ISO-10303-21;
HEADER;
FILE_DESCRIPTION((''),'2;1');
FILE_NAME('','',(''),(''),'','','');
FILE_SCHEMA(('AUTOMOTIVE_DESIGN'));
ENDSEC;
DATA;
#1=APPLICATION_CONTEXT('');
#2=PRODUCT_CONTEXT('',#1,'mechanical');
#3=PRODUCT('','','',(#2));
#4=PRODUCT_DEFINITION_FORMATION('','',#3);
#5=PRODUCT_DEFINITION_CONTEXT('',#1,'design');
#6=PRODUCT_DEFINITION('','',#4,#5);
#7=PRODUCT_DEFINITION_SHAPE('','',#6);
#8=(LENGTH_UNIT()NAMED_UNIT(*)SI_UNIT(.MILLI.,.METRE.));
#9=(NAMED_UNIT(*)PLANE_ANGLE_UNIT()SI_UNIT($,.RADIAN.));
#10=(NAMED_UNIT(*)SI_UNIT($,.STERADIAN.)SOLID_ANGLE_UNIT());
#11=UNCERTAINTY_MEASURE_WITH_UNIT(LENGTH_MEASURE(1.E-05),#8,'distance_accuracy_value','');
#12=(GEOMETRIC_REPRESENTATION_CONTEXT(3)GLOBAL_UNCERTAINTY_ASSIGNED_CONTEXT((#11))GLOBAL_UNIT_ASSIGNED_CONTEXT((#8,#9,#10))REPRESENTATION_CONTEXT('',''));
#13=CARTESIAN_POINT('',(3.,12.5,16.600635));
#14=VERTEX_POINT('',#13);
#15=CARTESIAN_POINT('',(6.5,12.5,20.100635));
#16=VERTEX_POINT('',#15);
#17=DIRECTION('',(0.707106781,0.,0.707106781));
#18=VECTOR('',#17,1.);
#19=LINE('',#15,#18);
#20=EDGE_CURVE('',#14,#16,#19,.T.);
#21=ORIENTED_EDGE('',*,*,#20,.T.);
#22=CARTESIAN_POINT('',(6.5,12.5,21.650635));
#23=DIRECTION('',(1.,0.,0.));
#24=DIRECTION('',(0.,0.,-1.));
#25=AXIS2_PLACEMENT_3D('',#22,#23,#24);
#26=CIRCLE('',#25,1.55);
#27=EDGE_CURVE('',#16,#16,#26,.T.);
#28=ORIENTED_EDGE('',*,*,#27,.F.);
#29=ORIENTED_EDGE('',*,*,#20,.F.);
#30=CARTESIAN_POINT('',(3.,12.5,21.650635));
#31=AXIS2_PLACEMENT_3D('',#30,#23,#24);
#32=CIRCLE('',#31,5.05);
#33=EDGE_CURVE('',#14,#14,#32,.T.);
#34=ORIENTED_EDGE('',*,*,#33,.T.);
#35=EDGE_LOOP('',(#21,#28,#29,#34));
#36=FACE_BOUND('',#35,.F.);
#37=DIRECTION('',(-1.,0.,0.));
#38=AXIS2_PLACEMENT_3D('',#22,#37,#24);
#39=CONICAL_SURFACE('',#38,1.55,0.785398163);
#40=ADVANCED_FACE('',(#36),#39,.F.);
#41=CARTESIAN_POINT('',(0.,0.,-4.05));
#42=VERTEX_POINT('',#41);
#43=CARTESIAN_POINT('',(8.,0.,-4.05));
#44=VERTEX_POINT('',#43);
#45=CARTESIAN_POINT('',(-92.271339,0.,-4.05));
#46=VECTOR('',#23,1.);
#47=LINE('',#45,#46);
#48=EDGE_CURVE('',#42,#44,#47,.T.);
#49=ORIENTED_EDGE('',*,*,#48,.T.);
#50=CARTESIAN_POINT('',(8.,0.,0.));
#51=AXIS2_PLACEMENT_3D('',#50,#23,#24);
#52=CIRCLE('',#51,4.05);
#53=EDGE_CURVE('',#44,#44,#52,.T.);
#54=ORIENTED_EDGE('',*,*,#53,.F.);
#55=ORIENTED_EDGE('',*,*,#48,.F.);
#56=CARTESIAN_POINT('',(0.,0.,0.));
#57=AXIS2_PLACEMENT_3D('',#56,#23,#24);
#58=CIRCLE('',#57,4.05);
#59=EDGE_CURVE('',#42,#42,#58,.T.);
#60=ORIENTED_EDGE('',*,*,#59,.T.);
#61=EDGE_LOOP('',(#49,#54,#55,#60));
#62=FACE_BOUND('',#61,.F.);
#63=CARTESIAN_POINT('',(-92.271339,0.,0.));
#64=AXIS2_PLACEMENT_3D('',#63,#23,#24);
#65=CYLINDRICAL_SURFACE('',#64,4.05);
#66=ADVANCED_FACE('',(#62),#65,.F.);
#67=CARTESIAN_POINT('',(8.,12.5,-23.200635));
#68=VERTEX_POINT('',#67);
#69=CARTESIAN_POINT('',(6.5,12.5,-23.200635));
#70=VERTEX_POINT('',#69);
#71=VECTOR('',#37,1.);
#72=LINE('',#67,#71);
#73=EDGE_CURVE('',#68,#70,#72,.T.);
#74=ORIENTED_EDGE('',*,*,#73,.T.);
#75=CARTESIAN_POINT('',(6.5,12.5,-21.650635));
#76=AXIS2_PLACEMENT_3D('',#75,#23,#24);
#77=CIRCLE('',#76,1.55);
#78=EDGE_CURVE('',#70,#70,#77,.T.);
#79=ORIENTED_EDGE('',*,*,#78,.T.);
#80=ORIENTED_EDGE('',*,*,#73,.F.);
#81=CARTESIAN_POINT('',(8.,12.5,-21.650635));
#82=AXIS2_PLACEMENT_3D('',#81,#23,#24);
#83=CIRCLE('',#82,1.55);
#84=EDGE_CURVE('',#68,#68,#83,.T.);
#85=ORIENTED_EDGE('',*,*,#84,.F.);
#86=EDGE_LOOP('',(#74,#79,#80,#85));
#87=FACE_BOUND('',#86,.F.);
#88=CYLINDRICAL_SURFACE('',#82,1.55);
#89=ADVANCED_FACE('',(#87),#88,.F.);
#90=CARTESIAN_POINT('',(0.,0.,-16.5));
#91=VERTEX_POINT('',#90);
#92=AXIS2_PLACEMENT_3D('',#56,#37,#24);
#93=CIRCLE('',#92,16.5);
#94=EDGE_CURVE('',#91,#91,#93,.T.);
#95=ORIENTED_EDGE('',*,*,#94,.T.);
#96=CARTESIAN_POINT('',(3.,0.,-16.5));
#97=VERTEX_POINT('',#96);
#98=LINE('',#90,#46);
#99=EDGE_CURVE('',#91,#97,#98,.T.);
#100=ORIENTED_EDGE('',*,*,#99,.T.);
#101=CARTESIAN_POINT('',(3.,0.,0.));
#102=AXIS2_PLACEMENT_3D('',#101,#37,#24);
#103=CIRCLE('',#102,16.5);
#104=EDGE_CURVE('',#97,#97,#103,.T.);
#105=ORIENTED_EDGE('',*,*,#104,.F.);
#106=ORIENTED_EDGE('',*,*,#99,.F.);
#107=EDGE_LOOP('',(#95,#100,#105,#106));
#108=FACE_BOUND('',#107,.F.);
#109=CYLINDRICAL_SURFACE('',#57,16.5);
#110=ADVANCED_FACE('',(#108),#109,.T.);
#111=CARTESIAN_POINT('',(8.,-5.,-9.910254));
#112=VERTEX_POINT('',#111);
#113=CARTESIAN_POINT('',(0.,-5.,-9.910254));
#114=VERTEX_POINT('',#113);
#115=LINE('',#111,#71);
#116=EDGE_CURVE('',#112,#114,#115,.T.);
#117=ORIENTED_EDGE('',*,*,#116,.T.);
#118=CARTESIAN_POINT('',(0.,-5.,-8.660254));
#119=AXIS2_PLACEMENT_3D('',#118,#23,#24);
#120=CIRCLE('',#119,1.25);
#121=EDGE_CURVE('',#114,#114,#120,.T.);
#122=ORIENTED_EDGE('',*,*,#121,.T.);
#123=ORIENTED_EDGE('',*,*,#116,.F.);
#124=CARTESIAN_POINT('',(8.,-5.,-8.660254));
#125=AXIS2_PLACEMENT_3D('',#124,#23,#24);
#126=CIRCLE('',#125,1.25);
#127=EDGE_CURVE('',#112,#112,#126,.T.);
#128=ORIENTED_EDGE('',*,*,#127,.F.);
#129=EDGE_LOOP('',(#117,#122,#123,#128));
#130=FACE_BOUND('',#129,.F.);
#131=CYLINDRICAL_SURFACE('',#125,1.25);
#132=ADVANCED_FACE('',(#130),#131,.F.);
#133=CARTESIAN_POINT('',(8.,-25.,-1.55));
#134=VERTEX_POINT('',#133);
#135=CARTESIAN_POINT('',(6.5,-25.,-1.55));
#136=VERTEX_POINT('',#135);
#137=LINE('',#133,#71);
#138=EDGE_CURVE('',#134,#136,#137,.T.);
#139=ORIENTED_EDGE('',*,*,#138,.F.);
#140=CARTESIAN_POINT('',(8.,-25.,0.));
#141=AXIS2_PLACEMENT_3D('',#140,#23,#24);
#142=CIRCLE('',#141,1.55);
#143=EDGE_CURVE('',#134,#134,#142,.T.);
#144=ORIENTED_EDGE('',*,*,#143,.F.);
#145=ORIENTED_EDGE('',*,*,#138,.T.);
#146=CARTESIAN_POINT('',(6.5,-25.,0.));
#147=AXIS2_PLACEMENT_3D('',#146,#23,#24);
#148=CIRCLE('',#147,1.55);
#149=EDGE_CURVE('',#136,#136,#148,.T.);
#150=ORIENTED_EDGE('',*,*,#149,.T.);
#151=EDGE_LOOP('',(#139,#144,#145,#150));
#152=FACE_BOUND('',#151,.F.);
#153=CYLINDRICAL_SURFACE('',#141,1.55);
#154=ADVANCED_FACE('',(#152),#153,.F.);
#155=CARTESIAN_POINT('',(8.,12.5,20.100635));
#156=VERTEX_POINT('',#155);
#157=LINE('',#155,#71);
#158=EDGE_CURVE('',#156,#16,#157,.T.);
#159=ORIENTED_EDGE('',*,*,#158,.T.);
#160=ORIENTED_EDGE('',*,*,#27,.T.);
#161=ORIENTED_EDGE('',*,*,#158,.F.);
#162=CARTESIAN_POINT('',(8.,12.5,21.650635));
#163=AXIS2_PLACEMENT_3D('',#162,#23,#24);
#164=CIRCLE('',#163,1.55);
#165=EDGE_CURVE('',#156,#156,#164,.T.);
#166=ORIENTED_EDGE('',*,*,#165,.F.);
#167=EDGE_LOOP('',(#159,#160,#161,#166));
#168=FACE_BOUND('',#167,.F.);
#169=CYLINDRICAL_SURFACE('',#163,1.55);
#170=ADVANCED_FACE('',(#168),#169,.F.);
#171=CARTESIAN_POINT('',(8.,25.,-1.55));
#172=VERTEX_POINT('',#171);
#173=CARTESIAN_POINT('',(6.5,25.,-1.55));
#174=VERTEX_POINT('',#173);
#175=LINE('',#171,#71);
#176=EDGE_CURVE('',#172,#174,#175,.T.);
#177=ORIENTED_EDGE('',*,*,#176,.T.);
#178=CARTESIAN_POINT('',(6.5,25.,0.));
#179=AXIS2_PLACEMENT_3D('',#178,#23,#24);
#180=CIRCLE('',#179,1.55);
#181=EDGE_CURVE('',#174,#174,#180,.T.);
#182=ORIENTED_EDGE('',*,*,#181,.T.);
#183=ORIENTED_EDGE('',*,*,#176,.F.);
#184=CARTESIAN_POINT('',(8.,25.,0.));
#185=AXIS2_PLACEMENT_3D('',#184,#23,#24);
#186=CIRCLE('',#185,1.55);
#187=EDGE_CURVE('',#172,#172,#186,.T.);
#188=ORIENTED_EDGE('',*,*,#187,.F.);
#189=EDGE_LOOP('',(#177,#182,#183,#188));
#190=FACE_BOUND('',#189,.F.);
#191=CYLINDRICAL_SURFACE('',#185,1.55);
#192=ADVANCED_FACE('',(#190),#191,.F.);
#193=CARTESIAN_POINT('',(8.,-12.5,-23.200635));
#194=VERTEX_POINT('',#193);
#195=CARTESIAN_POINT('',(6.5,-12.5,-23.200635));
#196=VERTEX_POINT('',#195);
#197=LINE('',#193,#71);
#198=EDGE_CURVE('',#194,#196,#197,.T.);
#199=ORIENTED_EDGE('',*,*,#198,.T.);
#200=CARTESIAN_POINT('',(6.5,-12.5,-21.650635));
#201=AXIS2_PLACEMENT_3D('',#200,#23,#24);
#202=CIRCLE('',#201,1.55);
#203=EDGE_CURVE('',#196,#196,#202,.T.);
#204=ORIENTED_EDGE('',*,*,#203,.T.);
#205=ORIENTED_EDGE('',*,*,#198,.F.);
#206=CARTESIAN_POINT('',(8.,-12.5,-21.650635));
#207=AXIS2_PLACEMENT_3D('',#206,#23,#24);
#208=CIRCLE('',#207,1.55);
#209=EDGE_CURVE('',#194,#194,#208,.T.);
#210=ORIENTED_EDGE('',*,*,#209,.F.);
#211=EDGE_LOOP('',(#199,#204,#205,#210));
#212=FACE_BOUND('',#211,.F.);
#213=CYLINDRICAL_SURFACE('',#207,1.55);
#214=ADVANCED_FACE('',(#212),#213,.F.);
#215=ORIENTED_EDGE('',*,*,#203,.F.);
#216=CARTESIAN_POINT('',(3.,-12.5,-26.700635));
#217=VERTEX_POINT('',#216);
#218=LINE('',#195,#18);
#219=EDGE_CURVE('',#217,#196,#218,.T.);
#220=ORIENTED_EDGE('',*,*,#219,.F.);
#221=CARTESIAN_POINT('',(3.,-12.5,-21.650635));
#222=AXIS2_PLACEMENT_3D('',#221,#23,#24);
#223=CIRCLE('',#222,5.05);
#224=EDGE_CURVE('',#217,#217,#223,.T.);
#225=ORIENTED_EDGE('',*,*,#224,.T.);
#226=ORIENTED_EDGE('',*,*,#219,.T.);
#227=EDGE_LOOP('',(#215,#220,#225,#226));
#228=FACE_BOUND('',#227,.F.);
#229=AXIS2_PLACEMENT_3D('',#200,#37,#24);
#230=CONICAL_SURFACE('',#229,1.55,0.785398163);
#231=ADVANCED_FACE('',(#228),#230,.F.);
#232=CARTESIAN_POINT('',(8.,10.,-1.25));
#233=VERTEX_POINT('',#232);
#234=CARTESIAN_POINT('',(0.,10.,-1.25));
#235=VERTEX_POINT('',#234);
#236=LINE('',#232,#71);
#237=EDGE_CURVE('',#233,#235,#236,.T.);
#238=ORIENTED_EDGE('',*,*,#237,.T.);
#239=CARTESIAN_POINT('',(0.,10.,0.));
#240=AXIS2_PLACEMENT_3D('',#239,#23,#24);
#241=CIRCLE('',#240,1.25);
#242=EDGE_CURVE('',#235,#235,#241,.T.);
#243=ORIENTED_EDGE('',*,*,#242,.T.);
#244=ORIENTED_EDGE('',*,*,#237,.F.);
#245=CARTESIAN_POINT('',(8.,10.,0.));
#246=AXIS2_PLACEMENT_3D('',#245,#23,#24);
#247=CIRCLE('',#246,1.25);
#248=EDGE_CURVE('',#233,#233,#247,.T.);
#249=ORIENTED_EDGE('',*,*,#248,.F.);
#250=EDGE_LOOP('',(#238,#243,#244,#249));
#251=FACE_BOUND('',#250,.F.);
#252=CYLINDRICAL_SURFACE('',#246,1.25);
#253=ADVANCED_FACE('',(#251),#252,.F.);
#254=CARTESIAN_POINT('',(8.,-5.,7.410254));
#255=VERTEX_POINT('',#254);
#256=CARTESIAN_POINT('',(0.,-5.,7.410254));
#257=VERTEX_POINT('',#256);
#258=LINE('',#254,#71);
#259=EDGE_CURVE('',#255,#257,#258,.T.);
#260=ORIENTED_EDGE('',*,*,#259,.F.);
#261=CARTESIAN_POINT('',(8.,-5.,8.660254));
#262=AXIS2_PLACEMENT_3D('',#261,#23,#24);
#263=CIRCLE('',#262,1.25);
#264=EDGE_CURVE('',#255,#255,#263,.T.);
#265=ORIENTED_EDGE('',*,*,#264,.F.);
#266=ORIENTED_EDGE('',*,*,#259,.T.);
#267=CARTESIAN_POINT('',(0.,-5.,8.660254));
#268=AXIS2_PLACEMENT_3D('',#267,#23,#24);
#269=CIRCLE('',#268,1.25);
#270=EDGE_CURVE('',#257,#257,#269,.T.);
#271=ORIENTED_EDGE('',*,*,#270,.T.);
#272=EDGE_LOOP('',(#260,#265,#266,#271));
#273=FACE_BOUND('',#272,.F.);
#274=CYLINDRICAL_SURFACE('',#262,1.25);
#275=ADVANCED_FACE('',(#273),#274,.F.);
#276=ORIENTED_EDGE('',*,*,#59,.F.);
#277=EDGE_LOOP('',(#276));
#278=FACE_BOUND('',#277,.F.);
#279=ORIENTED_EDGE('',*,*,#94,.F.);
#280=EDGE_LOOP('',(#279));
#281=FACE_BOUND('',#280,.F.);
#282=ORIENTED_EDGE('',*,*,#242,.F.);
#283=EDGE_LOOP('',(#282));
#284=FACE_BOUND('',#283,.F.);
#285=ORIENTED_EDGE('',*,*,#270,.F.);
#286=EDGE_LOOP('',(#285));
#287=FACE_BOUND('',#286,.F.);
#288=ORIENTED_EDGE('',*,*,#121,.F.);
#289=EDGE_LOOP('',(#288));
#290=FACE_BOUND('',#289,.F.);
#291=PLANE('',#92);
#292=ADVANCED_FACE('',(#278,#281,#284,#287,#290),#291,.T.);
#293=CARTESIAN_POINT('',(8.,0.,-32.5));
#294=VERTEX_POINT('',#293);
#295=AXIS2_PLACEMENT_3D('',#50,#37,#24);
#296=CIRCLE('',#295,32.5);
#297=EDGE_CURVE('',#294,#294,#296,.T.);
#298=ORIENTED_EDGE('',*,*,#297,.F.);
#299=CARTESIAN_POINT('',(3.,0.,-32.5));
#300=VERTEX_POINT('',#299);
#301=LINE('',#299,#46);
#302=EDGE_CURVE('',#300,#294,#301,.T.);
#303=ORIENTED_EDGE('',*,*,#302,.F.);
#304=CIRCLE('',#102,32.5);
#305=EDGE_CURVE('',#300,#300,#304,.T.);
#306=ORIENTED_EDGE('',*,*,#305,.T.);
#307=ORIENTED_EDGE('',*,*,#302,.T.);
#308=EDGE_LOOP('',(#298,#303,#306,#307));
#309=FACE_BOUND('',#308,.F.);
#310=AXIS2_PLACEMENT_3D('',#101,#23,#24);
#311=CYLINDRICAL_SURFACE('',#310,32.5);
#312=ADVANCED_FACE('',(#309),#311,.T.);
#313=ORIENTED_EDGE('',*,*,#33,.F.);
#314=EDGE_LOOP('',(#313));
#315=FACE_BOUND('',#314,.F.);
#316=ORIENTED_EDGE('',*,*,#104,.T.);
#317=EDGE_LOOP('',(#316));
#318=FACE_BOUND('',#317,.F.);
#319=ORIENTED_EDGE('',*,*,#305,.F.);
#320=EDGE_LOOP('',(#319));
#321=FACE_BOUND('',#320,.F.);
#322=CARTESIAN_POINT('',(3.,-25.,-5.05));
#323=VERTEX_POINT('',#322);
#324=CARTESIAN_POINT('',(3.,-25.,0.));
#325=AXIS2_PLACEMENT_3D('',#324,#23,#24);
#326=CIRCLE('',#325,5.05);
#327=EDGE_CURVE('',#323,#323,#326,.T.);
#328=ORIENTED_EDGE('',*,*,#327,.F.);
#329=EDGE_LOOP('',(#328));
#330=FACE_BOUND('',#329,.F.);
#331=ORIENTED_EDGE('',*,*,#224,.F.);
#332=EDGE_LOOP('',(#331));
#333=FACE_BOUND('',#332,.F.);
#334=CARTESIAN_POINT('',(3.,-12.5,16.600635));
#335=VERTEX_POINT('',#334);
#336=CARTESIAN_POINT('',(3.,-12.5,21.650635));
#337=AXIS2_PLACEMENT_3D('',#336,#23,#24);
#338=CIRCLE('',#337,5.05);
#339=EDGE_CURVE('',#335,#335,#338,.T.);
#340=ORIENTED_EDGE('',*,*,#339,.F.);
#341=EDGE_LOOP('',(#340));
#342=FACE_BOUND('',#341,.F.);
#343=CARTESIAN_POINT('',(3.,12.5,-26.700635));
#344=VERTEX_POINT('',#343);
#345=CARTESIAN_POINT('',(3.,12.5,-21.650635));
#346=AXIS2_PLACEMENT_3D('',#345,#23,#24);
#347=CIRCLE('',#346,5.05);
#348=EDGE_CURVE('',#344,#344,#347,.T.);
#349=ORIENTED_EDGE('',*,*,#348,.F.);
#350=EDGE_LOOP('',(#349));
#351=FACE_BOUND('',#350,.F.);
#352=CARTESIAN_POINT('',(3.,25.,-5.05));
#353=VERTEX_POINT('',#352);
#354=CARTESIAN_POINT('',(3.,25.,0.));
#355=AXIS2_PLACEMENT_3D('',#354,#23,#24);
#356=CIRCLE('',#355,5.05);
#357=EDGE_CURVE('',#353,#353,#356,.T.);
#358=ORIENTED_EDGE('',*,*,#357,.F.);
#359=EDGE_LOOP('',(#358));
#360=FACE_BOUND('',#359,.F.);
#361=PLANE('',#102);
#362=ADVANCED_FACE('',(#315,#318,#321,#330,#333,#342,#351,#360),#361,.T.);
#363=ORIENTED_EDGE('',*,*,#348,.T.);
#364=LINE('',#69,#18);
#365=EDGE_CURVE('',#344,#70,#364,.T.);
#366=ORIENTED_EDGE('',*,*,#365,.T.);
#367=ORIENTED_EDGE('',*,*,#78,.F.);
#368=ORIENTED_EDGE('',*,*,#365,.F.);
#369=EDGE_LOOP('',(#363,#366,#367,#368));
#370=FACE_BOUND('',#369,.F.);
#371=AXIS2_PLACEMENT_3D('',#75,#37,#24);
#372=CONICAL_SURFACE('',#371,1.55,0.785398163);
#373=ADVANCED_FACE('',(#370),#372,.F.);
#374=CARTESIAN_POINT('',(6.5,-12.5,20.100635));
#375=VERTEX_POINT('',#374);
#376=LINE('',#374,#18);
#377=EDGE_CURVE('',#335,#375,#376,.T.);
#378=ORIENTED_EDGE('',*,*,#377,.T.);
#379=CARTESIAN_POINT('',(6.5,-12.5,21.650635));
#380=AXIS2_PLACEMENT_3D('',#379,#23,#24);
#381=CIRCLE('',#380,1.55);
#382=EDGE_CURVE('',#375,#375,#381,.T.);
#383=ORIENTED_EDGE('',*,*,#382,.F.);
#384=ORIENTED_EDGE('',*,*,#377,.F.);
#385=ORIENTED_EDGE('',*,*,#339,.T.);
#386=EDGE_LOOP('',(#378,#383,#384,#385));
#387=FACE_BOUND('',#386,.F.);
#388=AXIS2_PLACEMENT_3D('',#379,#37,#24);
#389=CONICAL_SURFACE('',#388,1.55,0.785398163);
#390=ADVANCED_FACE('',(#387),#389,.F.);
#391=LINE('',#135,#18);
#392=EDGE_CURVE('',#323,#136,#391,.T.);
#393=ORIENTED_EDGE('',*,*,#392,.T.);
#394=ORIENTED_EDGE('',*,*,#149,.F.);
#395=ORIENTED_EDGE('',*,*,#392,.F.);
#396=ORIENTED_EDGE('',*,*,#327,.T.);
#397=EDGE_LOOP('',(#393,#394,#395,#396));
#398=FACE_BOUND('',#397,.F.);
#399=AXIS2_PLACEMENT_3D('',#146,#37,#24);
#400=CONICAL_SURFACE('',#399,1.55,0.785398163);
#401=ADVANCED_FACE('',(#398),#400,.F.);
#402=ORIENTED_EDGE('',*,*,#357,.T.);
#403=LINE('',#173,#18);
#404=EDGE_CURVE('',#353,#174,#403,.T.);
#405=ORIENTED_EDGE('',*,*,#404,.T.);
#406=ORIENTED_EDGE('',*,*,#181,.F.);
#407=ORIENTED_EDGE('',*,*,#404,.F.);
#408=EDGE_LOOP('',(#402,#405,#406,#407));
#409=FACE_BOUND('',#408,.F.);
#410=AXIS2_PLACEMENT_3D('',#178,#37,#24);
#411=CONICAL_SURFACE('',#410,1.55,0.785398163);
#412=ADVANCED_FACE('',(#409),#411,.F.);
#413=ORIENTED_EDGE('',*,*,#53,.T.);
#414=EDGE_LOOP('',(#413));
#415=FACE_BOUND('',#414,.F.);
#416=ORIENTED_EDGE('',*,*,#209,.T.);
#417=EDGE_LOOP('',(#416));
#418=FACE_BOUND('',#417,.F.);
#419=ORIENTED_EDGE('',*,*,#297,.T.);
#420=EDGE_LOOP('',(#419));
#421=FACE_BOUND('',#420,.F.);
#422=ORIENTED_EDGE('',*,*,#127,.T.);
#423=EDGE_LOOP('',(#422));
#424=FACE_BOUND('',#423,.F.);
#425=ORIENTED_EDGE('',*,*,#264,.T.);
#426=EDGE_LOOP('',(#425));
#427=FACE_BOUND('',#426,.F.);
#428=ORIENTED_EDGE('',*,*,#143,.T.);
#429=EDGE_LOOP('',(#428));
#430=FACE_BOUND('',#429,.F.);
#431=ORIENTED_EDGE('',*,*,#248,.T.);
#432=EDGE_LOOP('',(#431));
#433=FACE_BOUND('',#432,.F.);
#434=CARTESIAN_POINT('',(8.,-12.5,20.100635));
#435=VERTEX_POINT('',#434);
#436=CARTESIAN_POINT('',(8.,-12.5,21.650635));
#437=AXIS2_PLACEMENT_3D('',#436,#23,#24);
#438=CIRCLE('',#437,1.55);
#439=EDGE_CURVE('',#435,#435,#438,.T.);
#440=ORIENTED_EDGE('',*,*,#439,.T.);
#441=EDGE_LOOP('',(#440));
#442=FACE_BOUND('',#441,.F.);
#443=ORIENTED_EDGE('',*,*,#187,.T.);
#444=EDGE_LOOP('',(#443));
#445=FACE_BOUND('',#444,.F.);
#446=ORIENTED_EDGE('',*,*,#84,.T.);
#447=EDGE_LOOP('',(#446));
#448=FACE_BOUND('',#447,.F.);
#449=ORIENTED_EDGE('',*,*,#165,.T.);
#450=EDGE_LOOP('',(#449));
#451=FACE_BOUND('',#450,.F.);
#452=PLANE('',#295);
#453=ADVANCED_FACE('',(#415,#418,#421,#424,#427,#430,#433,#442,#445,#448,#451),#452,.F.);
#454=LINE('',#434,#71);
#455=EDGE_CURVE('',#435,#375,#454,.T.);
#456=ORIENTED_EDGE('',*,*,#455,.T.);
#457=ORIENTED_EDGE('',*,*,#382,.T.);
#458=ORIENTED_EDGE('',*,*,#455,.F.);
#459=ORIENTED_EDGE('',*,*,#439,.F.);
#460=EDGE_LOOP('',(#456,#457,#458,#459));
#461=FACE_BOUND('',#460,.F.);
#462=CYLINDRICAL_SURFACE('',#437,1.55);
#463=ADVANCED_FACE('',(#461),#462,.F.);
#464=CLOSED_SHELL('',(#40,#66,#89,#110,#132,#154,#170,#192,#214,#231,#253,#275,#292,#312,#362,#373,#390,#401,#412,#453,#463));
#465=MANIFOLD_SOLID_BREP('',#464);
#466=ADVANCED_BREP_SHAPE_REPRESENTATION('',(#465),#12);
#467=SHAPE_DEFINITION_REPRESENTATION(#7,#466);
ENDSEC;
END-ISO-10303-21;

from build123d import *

# Parameters (mm, degrees)
F_8_1_8_1_DURCHMESSER_BOHRUNG1_D = 8.1
SKIZZE4_R                        = 1.25
SCHNITT_LINEAR_AUSTRAGEN1_DEPTH  = 47.652974182
SKIZZE5_R                        = 1.55
SCHNITT_LINEAR_AUSTRAGEN2_DEPTH  = 47.652974182
FASE2_SIZE                       = 3.5


with BuildPart() as part:
    # Skizze1 → Rotation1 (revolve)
    with BuildSketch(Plane.XY, mode=Mode.PRIVATE) as rotation1_sk:
        Polygon((0, 0), (0, 16.5), (3, 16.5), (3, 32.5), (8, 32.5), (8, 0), align=None)
    revolve(rotation1_sk.sketch.rotate(Axis((0, 0, 0), (-1, 0, 0)), 90), axis=Axis((0, 0, 0), (-1, 0, 0)))

    # Ø8.1 (8.1) Durchmesser Bohrung1 (through all)
    with Locations(Plane.ZY):
        with Locations((0, 0)):
            Hole(F_8_1_8_1_DURCHMESSER_BOHRUNG1_D / 2)

    # Skizze4 → Schnitt-Linear austragen1 (cut, through all)
    with BuildSketch(Plane(origin=(8, 0, 0), x_dir=(0, 0, -1), z_dir=(1, 0, 0))):
        with Locations((0, 10)):
            Circle(SKIZZE4_R)
        with Locations((8.660254038, -5)):
            Circle(SKIZZE4_R)
        with Locations((-8.660254038, -5)):
            Circle(SKIZZE4_R)
    extrude(amount=-SCHNITT_LINEAR_AUSTRAGEN1_DEPTH, mode=Mode.SUBTRACT)

    # Skizze5 → Schnitt-Linear austragen2 (cut, through all)
    with BuildSketch(Plane(origin=(8, 0, 0), x_dir=(0, 0, -1), z_dir=(1, 0, 0))):
        with Locations((0, 25)):
            Circle(SKIZZE5_R)
        with Locations((21.650635095, 12.5)):
            Circle(SKIZZE5_R)
        with Locations((21.650635095, -12.5)):
            Circle(SKIZZE5_R)
        with Locations((0, -25)):
            Circle(SKIZZE5_R)
        with Locations((-21.650635095, -12.5)):
            Circle(SKIZZE5_R)
        with Locations((-21.650635095, 12.5)):
            Circle(SKIZZE5_R)
    extrude(amount=-SCHNITT_LINEAR_AUSTRAGEN2_DEPTH, mode=Mode.SUBTRACT)

    # Fase2
    fase2_edges = [part.edges().sort_by_distance(p)[0] for p in [
        (3, 25, 1.55),
        (3, 12.5, 23.200635095),
        (3, -12.5, 23.200635095),
        (3, -25, 1.55),
        (3, -12.5, -20.100635095),
        (3, 12.5, -20.100635095),
    ]]
    chamfer(fase2_edges, length=FASE2_SIZE)


solid = part.part
